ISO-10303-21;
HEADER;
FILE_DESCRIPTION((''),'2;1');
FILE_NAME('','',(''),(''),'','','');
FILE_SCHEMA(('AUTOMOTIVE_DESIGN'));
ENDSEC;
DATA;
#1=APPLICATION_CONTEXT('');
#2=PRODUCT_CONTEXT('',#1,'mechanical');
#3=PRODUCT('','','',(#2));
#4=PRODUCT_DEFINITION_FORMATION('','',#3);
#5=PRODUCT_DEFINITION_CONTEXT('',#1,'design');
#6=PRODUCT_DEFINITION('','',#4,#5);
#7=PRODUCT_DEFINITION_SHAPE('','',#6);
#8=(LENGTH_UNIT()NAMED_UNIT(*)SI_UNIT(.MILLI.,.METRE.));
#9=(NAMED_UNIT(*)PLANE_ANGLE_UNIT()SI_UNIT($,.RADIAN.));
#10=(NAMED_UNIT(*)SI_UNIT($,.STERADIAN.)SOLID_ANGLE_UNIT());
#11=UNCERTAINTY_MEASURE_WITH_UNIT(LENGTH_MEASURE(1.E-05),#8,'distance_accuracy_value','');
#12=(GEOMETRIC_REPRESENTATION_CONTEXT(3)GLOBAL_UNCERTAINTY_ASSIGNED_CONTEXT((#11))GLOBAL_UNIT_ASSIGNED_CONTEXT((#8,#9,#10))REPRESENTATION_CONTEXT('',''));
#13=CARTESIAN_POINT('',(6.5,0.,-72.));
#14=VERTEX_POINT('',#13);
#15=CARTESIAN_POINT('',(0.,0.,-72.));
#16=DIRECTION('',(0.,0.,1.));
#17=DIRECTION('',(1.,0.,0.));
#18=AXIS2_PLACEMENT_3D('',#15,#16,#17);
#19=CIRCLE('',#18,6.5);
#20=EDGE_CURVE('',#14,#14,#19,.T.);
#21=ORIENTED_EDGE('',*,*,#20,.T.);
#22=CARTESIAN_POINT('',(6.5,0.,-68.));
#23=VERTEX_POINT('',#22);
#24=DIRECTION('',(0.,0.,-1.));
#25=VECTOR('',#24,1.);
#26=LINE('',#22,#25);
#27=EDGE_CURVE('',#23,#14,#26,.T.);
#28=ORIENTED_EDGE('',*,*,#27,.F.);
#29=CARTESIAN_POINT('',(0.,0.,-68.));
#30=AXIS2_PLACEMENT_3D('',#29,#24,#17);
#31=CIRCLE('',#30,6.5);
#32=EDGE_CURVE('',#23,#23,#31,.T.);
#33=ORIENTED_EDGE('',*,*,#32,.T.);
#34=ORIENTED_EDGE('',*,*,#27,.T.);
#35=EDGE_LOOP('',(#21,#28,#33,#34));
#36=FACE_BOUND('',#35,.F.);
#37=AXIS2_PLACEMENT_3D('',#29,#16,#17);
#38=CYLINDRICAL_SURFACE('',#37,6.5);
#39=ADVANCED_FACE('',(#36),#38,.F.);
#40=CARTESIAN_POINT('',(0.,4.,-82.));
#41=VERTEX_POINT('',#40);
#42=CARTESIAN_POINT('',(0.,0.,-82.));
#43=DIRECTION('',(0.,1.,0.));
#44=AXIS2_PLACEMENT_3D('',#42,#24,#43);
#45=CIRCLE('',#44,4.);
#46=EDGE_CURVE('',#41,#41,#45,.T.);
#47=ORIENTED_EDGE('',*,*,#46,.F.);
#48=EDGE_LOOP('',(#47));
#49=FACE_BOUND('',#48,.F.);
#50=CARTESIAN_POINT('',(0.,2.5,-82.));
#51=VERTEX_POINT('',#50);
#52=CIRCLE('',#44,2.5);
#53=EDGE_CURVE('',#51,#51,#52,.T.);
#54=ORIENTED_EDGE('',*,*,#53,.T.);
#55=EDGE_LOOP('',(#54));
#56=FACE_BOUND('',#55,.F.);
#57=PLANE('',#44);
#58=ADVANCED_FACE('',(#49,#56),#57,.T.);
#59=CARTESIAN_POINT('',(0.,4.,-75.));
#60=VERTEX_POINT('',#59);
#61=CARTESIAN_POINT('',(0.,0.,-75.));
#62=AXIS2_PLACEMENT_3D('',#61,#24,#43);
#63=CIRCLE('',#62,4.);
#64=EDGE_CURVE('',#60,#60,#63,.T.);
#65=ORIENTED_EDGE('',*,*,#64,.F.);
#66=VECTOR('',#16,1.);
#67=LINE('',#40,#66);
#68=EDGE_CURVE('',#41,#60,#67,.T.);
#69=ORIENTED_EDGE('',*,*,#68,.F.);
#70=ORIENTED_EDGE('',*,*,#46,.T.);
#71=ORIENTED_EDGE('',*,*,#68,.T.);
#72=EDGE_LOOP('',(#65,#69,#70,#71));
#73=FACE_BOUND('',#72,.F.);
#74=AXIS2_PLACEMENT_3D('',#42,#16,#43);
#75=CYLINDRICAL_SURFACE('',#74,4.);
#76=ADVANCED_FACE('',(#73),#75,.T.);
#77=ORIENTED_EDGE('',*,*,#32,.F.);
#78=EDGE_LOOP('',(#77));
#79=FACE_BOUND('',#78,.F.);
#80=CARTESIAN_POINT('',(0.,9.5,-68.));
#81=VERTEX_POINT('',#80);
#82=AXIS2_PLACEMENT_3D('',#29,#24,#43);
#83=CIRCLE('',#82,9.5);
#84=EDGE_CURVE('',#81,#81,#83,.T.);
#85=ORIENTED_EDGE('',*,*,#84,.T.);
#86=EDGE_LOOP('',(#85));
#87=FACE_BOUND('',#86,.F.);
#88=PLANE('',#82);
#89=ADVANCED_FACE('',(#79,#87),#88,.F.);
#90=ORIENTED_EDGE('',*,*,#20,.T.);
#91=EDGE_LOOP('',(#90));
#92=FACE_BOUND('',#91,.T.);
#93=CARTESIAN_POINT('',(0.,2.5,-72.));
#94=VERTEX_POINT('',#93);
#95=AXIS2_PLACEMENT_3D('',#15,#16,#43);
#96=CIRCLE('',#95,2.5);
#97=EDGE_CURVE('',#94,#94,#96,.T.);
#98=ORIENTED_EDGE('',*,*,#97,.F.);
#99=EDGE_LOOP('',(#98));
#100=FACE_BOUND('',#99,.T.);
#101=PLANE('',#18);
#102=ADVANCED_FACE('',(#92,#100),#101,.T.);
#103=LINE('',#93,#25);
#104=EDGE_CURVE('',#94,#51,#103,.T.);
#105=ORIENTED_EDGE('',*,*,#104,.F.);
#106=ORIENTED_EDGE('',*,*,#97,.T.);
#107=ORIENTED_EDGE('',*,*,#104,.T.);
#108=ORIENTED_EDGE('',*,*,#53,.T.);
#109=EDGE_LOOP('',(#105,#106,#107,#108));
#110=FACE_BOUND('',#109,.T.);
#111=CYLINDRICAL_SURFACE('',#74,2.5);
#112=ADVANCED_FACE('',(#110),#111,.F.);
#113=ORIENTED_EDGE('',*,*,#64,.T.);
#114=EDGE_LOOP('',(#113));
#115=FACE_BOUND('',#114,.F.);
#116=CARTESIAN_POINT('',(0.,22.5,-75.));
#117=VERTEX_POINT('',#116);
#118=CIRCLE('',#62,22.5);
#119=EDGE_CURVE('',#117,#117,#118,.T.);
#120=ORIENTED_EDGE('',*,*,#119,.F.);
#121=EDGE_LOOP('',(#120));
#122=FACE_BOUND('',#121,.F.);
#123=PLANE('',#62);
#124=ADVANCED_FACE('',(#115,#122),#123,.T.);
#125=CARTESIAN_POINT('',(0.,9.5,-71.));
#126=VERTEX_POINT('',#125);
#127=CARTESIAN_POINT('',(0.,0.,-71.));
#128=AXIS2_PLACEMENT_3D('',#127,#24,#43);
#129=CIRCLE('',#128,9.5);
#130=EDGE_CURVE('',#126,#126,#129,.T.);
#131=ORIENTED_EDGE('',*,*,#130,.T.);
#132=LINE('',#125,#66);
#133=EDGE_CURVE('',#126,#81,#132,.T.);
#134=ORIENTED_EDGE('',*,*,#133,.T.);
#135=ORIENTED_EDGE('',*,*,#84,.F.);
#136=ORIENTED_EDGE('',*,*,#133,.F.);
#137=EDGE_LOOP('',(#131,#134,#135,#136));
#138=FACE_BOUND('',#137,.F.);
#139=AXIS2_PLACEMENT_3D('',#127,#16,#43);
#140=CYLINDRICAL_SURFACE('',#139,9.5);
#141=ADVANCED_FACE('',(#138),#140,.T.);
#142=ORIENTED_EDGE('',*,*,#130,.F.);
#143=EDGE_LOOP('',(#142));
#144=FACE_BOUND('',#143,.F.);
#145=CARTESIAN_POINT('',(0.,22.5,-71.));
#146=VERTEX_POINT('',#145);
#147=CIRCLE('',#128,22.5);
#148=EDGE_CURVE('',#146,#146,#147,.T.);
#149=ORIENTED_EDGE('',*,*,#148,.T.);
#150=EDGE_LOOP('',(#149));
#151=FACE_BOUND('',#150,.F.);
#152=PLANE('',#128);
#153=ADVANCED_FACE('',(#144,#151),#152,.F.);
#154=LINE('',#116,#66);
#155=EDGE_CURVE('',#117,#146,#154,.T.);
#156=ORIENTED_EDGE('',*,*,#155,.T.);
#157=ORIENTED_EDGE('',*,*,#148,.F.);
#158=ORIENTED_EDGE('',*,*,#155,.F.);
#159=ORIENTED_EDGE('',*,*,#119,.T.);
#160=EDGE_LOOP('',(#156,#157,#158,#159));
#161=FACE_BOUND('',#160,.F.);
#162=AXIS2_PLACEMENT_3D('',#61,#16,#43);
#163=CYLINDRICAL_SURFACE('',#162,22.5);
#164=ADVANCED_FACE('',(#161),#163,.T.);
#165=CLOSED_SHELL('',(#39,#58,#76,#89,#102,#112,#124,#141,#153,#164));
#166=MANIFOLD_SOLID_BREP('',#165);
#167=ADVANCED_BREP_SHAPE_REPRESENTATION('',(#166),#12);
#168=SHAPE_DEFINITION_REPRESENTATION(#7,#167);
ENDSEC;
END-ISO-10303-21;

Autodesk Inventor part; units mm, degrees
ref_plane "YZ Plane" through (0, 0, 0) normal (1, 0, 0) x (0, 1, 0)
ref_plane "XZ Plane" through (0, 0, 0) normal (0, 1, 0) x (-1, 0, 0)
ref_plane "XY Plane" through (0, 0, 0) normal (0, 0, 1) x (1, 0, 0)
sketch "Sketch1" plane through (0, 0, 0) normal (1, 0, 0) x (0, 1, 0)
  line L0 (0, 0) -> (2.5, 0)
  line L1 (0, 0) -> (4, 0)
  line L2 (2.5, 0) -> (2.5, -7)
  line L3 (2.5, -7) -> (0, -7)
  line L4 (0, -7) -> (20, -7)
  line L5 (4, 0) -> (4, -7)
  line L6 (2.5, -7) -> (2.5, -41)
  line L7 (20, -7) -> (20, -11)
  line L8 (20, -11) -> (2.5, -11)
  line L9 (20, -7) -> (22.5, -7)
  line L10 (22.5, -7) -> (22.5, -11)
  line L11 (22.5, -11) -> (20, -11)
  line L12 (20, -11) -> (20, -7)
  line L13 (20, -7) -> (20, -11)
  line L14 (4, 0) -> (2.5, 0)
  line L15 (2.5, 0) -> (2.5, -11)
  line L16 (2.5, -11) -> (4, -11)
  line L17 (4, -11) -> (4, 0)
  line L18 (2.5, -11) -> (22.5, -11)
  line L19 (22.5, -11) -> (22.5, -7)
  line L20 (22.5, -7) -> (2.5, -7)
  line L21 (2.5, -7) -> (2.5, -11)
  line L22 (2.5, -11) -> (6.5, -11)
  line L23 (0, -7) -> (0, -105.9451)
  line L24 (2.5, -41) -> (25, -41)
  line L25 (0, -82) -> (2.5, -82)
  line L26 (0, -82) -> (4, -82)
  line L27 (2.5, -82) -> (2.5, -75)
  line L28 (2.5, -75) -> (0, -75)
  line L29 (0, -75) -> (20, -75)
  line L30 (4, -82) -> (4, -75)
  line L31 (20, -75) -> (20, -71)
  line L32 (20, -71) -> (2.5, -71)
  line L33 (20, -75) -> (22.5, -75)
  line L34 (22.5, -75) -> (22.5, -71)
  line L35 (22.5, -71) -> (20, -71)
  line L36 (20, -71) -> (20, -75)
  line L37 (20, -75) -> (20, -71)
  line L38 (4, -82) -> (2.5, -82)
  line L39 (2.5, -82) -> (2.5, -71)
  line L40 (2.5, -71) -> (4, -71)
  line L41 (4, -71) -> (4, -82)
  line L42 (2.5, -71) -> (22.5, -71)
  line L43 (22.5, -71) -> (22.5, -75)
  line L44 (22.5, -75) -> (2.5, -75)
  line L45 (2.5, -75) -> (2.5, -71)
  line L46 (2.5, -71) -> (6.5, -71)
  line L47 (2.5, -11) -> (6.5, -11)
  line L48 (6.5, -11) -> (6.5, -71)
  line L49 (6.5, -71) -> (2.5, -71)
  line L50 (2.5, -71) -> (2.5, -11)
  line L51 (6.5, -11) -> (9.5, -11)
  line L52 (9.5, -11) -> (9.5, -14)
  line L53 (9.5, -14) -> (6.5, -14)
  line L54 (6.5, -14) -> (6.5, -11)
  line L55 (6.5, -71) -> (9.5, -71)
  line L56 (9.5, -71) -> (9.5, -68)
  line L57 (9.5, -68) -> (6.5, -68)
  line L58 (6.5, -68) -> (6.5, -71)
  dimension "d1" = 2.5
  dimension "d2" = 4
  dimension "d3" = 7
  dimension "d4" = 20
  dimension "d5" = 34
  dimension "d9" = 4
  dimension "d12" = 2.5
  dimension "d13" = 4
  dimension "d55" = 22.5
  dimension "d56" = 4
  dimension "d80" = 3
  dimension "d81" = 3
  dimension "d82" = 3
  dimension "d83" = 3
revolve "Revolution2" add sketch "Sketch1" angle 360 about axis through (0, 0, -7) along (0, 0, -1) contours L1 L5 L4 L2 | L4 L17 L8 L6 | L4 L7 L8 L17 | L8 L48 L24 L6 | L9 L10 L11 L7 | L24 L48 L32 L50 | L8 L52 L53 L48 | L29 L30 L26 L27 | L39 L32 L41 L29 | L41 L32 L31 L29 | L57 L56 L32 L48 | L31 L35 L34 L33
sketch "Sketch6" plane through (0, 0, 0) normal (0, 1, 0) x (-1, 0, 0)
  line L0 (-2.5, -82) -> (2.5, -82) projected
  line L1 (0, -82) -> (0, -62)
  line L2 (0, -82) -> (20, -82) construction
  line L3 (0, -65) -> (15, -65) construction
  line L4 (0, -59) -> (15, -59) construction
  line L5 (10.6066, -48.3934) -> (10.6066, -54.3934)
  line L6 (0, -65) -> (0, -59)
  line L7 (0, -62) -> (0, -59.5)
  line L8 (0, -59.5) -> (10.6066, -48.8934)
  line L9 (10.6066, -48.8934) -> (10.6066, -53.8934)
  line L10 (10.6066, -53.8934) -> (0, -64.5)
  line L11 (0, -59.5) -> (0, -64.5)
  point P0 (0, 0)
  dimension "d64" = 20
  dimension "d65" = 90
  dimension "d69" = 15
  dimension "d71" = 15
  dimension "d75" = 2.5
  dimension "d76" = 5
extrude "Extrusion6" cut sketch "Sketch6" along normal mid plane 5
sketch "Sketch7" plane through (0, 0, 0) normal (0, 0, 1) x (1, 0, 0)
  arc A0 (-1.9966, -1.5104) -> (-1.9966, 1.4896) centre (0.0034, -0.0104) ccw
  line L0 (-1.9966, -0.0104) -> (-1.9966, 1.4896)
  line L1 (-1.9966, -0.0104) -> (-1.9966, -1.5104)
  line L2 (-1.9966, 1.4896) -> (-1.9966, -2.007)
  line L3 (-1.9966, -2.007) -> (-3.9862, -2.007)
  line L4 (-3.9862, -2.007) -> (-3.9862, 1.4896)
  line L5 (-3.9862, 1.4896) -> (-1.9966, 1.4896)
  line L6 (-1.9966, -1.5104) -> (-3.2272, -1.5104)
  line L7 (-3.2272, -1.5104) -> (-3.2272, 1.4896)
  line L8 (-3.2272, 1.4896) -> (-1.9966, 1.4896)
  line L9 (-1.9966, 1.4896) -> (-1.9966, -1.5104)
  point P0 (0, 0)
  point P1 (0, 0)
  dimension "d77" = 5
extrude "Extrusion7" add sketch "Sketch7" against normal blind 26 contours L6 L7 L5 L0 L1
sketch "Sketch8" plane through (0, 0, -68) normal (0, 0, 1) x (1, 0, 0)
  arc A0 (0, 2.5) -> (0, -2.5) centre (0, 0) ccw projected
  circle A1 centre (0, 0) radius 6.5
  point P0 (0, 0)
extrude "Extrusion8" cut sketch "Sketch8" against normal blind 4
sketch "Sketch9" plane through (0, 0, -68) normal (0, 0, 1) x (1, 0, 0)
  circle A0 centre (0, 0) radius 2.5 projected
  circle A1 centre (0, 0) radius 22.5
  point P0 (0, 0)
extrude "Extrusion9" cut sketch "Sketch9" along normal blind 100 contours A0 | A1
properties part number "Spool_revB1"
